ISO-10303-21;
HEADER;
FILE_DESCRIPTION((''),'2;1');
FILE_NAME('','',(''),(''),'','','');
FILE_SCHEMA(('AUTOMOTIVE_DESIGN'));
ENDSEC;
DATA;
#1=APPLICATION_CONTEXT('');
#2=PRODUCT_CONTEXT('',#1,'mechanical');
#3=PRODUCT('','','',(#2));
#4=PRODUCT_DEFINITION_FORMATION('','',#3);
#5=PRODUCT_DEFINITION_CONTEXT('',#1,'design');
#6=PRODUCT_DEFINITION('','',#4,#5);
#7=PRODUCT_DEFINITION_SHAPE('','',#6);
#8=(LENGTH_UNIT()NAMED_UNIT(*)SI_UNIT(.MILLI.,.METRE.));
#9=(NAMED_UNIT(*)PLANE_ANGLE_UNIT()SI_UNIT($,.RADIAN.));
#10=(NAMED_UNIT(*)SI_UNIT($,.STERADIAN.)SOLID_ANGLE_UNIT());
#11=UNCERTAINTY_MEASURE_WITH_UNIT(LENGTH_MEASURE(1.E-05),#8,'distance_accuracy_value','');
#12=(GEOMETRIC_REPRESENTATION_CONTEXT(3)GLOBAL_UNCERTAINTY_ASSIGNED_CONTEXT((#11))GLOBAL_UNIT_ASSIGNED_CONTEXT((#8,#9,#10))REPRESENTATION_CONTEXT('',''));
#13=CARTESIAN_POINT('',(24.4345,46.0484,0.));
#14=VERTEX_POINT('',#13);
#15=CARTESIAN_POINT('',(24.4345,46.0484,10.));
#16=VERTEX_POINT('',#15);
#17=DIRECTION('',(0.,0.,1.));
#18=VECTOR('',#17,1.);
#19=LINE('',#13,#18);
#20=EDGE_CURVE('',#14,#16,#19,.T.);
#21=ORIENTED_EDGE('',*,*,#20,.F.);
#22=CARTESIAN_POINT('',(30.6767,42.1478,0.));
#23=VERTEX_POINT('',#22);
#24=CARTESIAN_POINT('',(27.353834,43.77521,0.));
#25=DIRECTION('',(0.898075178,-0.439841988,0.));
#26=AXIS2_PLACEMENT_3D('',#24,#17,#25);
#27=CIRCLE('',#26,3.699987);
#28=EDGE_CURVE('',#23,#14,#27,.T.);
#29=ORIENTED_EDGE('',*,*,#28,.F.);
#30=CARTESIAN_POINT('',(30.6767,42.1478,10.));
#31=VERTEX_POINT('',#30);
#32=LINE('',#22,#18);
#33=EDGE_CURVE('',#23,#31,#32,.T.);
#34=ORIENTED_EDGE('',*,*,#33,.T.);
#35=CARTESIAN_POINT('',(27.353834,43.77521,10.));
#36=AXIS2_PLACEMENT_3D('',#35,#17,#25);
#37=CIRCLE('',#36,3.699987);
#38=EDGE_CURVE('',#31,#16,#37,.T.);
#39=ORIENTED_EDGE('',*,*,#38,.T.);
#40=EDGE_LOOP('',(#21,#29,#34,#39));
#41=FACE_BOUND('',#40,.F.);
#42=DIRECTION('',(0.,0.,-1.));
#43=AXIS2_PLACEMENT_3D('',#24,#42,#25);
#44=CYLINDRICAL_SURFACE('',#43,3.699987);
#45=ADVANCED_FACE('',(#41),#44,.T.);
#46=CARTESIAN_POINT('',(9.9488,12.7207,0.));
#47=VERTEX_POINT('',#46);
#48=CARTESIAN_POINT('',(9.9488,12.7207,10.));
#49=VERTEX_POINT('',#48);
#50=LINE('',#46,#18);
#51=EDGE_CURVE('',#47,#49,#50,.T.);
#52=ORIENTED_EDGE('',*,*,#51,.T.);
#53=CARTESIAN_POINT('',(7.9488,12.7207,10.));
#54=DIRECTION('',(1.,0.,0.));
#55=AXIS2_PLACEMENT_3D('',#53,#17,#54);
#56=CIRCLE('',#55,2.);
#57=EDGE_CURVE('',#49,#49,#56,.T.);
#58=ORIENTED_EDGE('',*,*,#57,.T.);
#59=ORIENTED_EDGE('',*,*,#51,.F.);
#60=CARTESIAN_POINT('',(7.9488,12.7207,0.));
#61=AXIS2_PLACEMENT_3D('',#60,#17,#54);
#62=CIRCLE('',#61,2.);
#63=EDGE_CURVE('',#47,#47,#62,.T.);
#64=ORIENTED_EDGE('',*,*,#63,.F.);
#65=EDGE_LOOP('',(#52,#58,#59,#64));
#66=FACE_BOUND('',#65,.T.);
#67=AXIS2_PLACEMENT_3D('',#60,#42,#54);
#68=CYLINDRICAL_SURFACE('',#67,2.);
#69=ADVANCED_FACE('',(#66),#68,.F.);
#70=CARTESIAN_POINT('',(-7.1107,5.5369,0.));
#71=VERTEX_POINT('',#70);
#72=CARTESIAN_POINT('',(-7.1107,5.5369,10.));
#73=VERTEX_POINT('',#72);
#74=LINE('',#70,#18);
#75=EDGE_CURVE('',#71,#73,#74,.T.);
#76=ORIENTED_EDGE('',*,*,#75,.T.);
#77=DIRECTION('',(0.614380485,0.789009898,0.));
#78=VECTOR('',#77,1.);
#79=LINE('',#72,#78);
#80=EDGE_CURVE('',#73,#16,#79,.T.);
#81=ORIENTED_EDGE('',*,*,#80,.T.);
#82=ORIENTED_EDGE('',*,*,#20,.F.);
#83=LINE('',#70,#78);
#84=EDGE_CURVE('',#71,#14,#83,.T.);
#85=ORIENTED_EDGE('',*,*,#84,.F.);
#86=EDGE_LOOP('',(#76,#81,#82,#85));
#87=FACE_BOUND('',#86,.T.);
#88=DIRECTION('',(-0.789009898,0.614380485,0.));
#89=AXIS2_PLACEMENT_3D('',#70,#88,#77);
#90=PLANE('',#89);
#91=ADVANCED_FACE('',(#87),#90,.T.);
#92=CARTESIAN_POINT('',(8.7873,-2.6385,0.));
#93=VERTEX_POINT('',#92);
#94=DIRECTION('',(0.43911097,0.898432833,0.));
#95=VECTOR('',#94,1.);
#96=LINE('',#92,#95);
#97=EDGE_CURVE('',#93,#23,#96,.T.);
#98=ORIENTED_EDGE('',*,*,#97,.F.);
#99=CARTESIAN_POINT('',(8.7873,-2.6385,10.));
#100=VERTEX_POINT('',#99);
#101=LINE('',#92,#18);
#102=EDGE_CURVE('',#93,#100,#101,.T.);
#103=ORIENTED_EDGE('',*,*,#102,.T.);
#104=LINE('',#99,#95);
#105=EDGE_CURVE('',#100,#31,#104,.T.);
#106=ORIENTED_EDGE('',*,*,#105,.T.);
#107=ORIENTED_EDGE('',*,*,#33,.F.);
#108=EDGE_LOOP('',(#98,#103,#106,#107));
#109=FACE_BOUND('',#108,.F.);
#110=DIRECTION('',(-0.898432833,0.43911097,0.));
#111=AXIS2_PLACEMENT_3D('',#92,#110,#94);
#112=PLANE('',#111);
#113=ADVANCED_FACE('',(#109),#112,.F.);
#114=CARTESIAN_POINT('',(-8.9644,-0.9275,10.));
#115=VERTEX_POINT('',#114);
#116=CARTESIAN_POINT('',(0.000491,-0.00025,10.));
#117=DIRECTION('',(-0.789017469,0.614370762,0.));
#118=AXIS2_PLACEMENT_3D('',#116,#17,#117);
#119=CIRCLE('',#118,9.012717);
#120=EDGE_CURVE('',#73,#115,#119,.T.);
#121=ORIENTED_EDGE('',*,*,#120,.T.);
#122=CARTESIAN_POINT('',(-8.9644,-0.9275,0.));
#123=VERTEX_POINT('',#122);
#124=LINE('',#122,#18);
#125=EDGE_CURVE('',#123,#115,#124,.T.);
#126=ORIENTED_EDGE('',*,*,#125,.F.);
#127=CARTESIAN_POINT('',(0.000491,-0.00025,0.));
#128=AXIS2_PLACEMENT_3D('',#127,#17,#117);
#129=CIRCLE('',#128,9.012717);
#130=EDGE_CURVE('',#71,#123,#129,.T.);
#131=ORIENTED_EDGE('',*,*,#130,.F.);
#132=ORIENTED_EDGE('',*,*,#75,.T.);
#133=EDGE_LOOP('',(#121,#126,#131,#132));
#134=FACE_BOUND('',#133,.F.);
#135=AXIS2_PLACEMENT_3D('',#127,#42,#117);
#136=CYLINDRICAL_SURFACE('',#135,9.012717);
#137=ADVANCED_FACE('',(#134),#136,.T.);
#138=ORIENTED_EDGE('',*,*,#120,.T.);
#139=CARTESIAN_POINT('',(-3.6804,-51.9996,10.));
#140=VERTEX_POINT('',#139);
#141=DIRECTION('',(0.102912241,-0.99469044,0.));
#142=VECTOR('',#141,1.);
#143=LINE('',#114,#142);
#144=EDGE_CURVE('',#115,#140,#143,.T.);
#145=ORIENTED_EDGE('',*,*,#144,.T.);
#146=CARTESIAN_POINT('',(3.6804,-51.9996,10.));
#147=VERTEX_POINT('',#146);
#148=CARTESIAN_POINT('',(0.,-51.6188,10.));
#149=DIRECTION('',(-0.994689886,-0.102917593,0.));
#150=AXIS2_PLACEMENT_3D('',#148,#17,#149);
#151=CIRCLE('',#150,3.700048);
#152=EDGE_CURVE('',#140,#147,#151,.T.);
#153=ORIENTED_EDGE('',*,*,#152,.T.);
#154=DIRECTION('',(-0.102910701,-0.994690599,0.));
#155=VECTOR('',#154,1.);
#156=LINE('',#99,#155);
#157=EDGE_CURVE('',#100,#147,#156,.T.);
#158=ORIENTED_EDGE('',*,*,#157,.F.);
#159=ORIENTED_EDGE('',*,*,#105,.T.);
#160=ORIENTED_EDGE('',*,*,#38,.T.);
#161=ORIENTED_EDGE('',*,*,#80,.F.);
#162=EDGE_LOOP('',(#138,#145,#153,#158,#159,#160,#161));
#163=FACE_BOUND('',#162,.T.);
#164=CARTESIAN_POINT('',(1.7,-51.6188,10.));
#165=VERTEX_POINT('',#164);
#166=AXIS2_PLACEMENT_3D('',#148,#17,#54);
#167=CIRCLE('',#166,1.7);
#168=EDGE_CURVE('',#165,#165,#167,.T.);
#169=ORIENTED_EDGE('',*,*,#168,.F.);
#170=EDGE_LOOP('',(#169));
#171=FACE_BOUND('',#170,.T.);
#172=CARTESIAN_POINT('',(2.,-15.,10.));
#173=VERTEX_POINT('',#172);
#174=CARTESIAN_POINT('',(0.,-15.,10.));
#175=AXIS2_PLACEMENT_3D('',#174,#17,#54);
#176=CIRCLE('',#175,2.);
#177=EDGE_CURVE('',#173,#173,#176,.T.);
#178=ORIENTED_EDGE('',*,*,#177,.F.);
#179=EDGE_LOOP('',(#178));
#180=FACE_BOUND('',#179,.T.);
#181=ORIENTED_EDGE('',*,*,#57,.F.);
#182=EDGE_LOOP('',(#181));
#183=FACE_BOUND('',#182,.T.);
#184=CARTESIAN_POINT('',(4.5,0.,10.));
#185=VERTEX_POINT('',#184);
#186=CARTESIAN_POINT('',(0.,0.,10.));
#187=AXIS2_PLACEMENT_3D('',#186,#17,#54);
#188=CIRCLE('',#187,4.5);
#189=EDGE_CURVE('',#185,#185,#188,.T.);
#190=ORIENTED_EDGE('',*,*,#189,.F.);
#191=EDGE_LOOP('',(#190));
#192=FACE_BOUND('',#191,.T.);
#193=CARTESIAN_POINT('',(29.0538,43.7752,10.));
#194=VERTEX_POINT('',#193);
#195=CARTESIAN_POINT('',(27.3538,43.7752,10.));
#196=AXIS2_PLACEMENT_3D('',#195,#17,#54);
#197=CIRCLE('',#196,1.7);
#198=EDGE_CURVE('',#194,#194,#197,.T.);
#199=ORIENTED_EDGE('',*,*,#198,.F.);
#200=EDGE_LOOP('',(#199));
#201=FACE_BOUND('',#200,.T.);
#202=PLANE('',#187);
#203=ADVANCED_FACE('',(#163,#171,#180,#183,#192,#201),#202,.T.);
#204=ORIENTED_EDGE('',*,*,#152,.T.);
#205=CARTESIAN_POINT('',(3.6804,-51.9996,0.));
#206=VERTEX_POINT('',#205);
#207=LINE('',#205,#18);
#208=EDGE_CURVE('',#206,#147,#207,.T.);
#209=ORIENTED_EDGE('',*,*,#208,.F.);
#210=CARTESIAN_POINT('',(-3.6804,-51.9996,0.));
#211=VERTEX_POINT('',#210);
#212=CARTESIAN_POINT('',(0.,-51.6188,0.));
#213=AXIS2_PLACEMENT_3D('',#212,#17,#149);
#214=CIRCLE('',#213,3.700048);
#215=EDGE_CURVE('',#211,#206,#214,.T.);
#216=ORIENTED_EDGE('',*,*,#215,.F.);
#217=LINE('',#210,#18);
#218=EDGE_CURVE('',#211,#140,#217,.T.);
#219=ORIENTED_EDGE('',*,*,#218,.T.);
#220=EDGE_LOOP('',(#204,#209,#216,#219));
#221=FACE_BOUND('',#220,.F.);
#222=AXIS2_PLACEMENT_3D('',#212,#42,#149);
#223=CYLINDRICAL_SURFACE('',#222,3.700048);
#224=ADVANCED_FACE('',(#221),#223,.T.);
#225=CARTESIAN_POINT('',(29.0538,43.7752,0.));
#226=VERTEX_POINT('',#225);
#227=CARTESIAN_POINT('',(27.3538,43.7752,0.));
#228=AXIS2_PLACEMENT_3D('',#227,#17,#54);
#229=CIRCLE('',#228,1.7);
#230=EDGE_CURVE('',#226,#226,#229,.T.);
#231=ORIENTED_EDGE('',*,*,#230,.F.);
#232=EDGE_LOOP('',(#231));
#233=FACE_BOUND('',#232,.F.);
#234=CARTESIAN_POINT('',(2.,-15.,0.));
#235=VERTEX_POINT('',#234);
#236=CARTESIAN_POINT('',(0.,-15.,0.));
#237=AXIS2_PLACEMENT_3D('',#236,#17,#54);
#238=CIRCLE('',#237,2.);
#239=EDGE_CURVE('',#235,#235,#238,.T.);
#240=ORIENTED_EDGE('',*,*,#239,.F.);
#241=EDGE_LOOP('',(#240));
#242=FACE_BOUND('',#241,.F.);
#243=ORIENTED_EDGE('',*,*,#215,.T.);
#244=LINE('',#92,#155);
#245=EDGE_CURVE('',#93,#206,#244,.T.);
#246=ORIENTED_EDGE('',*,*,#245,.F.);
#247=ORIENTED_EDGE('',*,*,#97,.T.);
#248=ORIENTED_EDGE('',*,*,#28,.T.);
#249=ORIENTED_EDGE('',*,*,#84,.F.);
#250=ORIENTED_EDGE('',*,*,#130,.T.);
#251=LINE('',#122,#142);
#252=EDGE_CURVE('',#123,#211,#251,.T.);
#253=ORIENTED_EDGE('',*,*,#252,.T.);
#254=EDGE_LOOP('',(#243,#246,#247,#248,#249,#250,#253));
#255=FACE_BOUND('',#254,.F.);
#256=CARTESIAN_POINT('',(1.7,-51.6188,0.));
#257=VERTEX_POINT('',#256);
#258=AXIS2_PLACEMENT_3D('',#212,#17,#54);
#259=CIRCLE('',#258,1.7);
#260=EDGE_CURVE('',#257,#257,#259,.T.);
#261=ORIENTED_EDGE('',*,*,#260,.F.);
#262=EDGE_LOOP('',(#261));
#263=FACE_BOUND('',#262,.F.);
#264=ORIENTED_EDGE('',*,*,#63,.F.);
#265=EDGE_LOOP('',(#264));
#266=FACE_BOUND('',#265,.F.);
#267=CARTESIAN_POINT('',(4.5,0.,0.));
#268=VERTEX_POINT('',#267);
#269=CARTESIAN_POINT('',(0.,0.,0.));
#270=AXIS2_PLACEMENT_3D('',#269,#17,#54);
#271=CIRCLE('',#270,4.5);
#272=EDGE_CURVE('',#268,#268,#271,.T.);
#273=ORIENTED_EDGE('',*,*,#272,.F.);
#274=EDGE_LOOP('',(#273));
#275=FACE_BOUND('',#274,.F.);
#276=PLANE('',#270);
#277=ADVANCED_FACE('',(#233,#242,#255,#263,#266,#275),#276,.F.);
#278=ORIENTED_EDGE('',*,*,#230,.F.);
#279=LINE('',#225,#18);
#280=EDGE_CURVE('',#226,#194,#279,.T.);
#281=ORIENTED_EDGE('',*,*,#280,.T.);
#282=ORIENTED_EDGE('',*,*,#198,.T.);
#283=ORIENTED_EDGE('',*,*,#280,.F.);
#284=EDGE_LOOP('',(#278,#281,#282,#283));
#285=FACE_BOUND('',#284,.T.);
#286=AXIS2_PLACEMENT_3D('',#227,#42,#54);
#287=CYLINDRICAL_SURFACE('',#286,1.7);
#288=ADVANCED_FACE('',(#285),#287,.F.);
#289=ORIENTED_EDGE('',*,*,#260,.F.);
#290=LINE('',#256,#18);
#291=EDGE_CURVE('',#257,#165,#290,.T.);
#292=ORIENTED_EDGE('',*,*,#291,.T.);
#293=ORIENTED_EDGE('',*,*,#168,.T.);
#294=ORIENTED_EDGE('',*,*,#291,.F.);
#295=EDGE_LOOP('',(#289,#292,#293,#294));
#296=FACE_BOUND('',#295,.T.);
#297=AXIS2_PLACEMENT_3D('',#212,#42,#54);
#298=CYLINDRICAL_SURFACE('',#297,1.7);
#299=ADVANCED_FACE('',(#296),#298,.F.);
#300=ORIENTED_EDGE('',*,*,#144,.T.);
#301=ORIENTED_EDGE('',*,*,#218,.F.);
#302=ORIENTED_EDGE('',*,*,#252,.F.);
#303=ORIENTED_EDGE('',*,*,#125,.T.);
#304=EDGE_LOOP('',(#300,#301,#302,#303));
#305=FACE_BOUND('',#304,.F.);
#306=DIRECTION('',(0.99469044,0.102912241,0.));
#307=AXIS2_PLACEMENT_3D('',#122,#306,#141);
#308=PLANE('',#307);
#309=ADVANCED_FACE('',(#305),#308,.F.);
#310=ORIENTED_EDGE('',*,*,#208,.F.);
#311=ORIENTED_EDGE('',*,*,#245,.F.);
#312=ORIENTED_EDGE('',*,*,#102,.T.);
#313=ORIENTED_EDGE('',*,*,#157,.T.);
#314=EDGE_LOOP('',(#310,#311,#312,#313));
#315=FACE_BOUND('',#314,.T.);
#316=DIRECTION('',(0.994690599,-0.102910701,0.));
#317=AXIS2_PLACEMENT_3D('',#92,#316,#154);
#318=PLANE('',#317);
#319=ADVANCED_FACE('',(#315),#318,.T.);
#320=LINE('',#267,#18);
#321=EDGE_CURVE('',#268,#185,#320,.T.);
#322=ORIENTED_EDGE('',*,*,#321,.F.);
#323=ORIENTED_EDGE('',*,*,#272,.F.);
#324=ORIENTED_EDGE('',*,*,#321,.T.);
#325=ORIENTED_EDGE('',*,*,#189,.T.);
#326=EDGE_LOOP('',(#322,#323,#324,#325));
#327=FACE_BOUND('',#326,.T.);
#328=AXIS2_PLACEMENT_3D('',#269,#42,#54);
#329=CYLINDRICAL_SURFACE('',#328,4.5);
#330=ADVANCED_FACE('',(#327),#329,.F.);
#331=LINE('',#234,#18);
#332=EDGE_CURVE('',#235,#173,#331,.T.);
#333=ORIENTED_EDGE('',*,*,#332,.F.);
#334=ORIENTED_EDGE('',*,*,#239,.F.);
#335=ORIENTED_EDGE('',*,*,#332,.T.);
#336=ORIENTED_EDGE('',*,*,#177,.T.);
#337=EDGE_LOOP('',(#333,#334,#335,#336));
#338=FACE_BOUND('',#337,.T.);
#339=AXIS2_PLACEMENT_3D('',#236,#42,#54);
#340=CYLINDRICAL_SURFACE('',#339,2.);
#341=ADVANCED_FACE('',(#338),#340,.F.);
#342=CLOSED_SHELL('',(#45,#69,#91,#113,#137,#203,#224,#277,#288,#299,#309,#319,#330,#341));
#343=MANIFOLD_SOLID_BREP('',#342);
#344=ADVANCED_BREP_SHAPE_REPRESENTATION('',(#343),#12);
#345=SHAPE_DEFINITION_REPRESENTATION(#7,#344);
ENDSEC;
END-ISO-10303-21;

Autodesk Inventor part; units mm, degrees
ref_plane "YZ Plane" through (0, 0, 0) normal (1, 0, 0) x (0, 1, 0)
ref_plane "XZ Plane" through (0, 0, 0) normal (0, 1, 0) x (-1, 0, 0)
ref_plane "XY Plane" through (0, 0, 0) normal (0, 0, 1) x (1, 0, 0)
sketch "Sketch1" plane through (0, 0, 0) normal (0, 0, 1) x (1, 0, 0)
  circle A0 centre (0, 0) radius 4.5
  line L0 (0, 0) -> (27.3538, 43.7752) construction
  line L1 (0, -76.1552) -> (0, 69.6997) construction
  line L2 (0, 0) -> (0, -51.6188) construction
  circle A1 centre (0, -51.6188) radius 1.7
  circle A2 centre (27.3538, 43.7752) radius 1.7
  arc A3 (30.6767, 42.1478) -> (24.4345, 46.0484) centre (27.3538, 43.7752) ccw
  arc A4 (-3.6804, -51.9996) -> (3.6804, -51.9996) centre (0, -51.6188) ccw
  line L3 (0, 0) -> (7.9488, 12.7207) construction
  circle A5 centre (7.9488, 12.7207) radius 2
  line L4 (0, 0) -> (0, -15) construction
  circle A6 centre (0, -15) radius 2
  line L5 (-7.1107, 5.5369) -> (24.4345, 46.0484)
  line L6 (-8.9644, -0.9275) -> (-3.6804, -51.9996)
  line L7 (8.7873, -2.6385) -> (30.6767, 42.1478)
  line L8 (8.7873, -2.6385) -> (3.6804, -51.9996)
  arc A7 (-7.1107, 5.5369) -> (-8.9644, -0.9275) centre (0, 0) ccw
  point P0 (8.0937, -3.9639)
  dimension "d0" = 9
  dimension "d2" = 32
  dimension "d3" = 51.6188
  dimension "d4" = 51.6188
  dimension "d5" = 3.4
  dimension "d6" = 3.4
  dimension "d7" = 3.7
  dimension "d8" = 3.7
  dimension "d9" = 15
  dimension "d10" = 4
  dimension "d11" = 15
  dimension "d12" = 4
extrude "Extrusion1" add sketch "Sketch1" along normal blind 10
equation "\"d3\" = d4"
properties part number "Lever" material "Steel"
